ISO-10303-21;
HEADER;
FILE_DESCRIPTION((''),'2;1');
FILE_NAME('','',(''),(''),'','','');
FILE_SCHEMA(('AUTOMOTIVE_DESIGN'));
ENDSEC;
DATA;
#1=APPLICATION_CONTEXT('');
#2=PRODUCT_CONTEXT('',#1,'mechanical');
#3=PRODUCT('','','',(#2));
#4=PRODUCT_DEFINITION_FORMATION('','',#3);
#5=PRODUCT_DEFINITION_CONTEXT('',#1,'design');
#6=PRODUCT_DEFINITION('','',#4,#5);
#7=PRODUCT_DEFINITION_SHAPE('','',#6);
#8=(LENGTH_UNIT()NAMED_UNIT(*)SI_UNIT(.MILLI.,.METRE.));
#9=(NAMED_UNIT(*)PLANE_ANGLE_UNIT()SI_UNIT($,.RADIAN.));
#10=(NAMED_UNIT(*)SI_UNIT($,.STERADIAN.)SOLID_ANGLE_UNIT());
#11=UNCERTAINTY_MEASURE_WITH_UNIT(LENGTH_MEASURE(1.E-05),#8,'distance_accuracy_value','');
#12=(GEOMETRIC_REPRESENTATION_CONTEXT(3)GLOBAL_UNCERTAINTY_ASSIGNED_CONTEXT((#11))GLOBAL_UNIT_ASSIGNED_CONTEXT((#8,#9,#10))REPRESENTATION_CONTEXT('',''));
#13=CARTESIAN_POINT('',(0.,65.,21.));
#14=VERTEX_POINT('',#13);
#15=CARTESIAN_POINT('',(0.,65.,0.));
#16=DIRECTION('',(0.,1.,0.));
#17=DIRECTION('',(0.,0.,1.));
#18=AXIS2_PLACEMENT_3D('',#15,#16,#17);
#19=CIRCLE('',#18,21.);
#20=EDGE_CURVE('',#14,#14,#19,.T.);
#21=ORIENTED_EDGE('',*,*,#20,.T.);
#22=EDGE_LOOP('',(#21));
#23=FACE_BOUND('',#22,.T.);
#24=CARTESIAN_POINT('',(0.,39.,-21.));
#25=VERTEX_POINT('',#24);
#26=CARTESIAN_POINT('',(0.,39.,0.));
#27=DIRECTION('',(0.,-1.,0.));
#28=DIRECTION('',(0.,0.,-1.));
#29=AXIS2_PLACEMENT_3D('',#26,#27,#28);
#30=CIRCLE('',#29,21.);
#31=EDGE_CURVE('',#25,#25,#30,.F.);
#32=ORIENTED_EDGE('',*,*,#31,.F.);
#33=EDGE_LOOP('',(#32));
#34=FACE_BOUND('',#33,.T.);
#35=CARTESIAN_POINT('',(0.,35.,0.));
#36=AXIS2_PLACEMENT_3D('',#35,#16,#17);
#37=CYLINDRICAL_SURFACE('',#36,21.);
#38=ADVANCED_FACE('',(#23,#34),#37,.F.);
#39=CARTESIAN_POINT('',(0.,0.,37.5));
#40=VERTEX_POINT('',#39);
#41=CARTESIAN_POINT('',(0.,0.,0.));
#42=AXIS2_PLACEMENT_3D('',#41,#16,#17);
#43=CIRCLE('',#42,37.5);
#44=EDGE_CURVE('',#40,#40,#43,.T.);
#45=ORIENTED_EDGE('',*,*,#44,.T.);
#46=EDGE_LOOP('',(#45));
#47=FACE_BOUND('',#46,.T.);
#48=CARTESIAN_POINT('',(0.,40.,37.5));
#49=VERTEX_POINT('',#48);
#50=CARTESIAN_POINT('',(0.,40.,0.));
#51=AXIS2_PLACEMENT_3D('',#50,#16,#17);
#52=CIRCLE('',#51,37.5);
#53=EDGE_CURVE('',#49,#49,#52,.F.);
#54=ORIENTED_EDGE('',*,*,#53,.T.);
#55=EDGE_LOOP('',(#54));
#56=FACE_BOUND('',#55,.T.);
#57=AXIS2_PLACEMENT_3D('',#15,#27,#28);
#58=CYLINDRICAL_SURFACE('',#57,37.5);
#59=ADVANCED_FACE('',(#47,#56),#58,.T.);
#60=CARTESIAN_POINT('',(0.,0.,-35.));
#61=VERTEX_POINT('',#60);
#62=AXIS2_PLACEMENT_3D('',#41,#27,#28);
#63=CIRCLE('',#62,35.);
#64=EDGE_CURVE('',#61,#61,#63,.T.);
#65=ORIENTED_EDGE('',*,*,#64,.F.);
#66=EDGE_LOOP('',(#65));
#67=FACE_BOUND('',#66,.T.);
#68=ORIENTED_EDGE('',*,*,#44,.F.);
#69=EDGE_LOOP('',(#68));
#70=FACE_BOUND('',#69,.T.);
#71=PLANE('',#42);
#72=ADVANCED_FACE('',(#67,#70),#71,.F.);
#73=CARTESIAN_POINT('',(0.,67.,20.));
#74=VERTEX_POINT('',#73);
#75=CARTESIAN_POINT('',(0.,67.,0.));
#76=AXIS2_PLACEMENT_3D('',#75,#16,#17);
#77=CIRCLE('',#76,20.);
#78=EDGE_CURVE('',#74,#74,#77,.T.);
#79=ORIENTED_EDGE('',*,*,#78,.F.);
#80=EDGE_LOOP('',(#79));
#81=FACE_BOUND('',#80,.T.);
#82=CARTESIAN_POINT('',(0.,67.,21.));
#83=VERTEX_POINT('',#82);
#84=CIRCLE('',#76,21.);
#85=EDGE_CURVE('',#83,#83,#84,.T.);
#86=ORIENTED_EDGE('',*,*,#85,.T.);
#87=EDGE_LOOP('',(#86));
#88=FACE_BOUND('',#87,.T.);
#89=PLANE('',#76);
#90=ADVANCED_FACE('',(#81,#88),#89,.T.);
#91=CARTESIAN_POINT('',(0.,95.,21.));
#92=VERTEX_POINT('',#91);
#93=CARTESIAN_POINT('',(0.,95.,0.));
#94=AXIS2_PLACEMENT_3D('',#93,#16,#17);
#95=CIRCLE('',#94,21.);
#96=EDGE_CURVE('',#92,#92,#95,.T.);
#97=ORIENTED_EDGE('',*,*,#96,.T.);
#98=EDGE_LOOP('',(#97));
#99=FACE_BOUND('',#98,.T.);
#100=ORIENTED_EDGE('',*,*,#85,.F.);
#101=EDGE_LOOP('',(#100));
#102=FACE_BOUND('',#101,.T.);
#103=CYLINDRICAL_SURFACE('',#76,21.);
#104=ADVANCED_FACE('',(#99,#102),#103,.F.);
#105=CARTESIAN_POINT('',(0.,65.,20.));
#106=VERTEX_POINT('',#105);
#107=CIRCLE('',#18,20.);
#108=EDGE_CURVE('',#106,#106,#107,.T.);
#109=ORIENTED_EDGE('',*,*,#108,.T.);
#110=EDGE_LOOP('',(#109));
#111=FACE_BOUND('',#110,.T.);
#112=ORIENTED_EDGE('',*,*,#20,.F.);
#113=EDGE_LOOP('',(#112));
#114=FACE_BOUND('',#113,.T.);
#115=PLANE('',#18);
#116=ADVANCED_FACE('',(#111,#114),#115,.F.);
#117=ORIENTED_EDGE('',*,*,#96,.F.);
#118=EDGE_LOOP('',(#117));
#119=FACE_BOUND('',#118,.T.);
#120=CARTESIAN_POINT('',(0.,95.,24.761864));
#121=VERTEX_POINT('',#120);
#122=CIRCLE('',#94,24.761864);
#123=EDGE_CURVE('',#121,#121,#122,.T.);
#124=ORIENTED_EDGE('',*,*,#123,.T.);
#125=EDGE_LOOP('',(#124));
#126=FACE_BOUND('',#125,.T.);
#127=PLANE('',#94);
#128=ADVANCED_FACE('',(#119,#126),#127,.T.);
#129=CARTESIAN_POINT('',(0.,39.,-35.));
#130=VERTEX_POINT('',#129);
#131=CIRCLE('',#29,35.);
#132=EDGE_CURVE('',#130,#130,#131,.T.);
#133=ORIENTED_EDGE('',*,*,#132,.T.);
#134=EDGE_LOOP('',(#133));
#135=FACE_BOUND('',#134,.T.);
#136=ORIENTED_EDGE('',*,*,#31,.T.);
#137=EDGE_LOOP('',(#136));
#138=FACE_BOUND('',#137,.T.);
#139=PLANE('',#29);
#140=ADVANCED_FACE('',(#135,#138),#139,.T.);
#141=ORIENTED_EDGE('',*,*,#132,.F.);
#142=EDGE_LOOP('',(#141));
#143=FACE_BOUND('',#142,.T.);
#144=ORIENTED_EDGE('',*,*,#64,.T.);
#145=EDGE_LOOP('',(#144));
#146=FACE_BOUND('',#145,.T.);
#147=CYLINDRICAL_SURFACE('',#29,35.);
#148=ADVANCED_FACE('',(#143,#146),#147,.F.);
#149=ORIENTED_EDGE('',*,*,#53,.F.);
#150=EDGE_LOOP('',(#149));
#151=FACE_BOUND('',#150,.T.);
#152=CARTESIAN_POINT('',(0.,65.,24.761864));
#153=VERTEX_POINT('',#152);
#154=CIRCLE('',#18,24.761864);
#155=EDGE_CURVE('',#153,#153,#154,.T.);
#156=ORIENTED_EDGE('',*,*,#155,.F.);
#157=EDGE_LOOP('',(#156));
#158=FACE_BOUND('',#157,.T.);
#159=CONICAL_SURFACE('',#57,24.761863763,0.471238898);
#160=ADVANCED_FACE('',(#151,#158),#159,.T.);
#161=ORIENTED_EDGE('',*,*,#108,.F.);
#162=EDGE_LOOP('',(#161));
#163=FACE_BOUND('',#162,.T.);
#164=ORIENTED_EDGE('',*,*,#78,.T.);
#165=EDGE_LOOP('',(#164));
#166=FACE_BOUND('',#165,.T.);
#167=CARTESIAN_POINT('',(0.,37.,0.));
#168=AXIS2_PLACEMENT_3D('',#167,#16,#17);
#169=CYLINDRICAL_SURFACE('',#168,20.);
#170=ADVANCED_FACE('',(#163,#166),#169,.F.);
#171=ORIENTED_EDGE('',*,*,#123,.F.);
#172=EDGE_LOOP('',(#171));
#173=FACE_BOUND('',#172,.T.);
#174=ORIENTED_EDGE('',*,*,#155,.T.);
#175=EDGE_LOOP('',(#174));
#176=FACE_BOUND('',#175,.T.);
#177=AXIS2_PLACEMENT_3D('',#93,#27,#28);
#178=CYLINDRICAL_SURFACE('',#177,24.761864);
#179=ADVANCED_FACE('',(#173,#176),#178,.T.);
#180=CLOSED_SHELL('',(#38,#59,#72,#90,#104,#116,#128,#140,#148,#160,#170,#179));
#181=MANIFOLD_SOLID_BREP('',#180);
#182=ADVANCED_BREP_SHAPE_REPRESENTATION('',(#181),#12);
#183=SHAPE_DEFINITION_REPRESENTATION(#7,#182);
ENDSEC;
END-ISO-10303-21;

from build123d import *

# Parameters (mm, degrees)
SKETCH1_R           = 37.5
BOSS_EXTRUDE1_DEPTH = 65
CHAMFER1_SIZE       = 25
CHAMFER1_SIZE2      = 12.738136237
SKETCH3_R           = 21
CUT_EXTRUDE1_DEPTH  = 30
SKETCH4_R           = 35
CUT_EXTRUDE2_DEPTH  = 39
SKETCH5_R           = 24.761863763
BOSS_EXTRUDE3_DEPTH = 30
SKETCH6_R           = 21
CUT_EXTRUDE3_DEPTH  = 28
SKETCH7_R           = 20
CUT_EXTRUDE4_DEPTH  = 30


with BuildPart() as part:
    # Sketch1 → Boss-Extrude1 (new body)
    with BuildSketch(Plane(origin=(0, 0, 0), x_dir=(1, 0, 0), z_dir=(0, 1, 0))):
        with Locations(Location((0, 0, 0), (0, 0, 270))):
            Circle(SKETCH1_R)
    extrude(amount=BOSS_EXTRUDE1_DEPTH)

    # Chamfer1
    chamfer1_edges = [part.edges().sort_by_distance(p)[0] for p in [
        (0, 65, -37.5),
    ]]
    chamfer1_side = [part.faces().sort_by_distance(p)[0] for p in [
        (0, 32.5, -37.5),
    ]]
    chamfer(chamfer1_edges, length=CHAMFER1_SIZE, length2=CHAMFER1_SIZE2, reference=chamfer1_side[0])

    # Sketch3 → Cut-Extrude1 (cut)
    with BuildSketch(Plane(origin=(0, 65, 0), x_dir=(1, 0, 0), z_dir=(0, 1, 0))):
        with Locations(Location((0, 0, 0), (0, 0, 270))):
            Circle(SKETCH3_R)
    extrude(amount=-CUT_EXTRUDE1_DEPTH, mode=Mode.SUBTRACT)

    # Sketch4 → Cut-Extrude2 (cut)
    with BuildSketch(Plane.XZ):
        with Locations(Location((0, 0, 0), (0, 0, 270))):
            Circle(SKETCH4_R)
    extrude(amount=-CUT_EXTRUDE2_DEPTH, mode=Mode.SUBTRACT)

    # Sketch5 → Boss-Extrude3 (add)
    with BuildSketch(Plane(origin=(0, 65, 0), x_dir=(1, 0, 0), z_dir=(0, 1, 0))):
        with Locations(Location((0, 0, 0), (0, 0, 270))):
            Circle(SKETCH5_R)
    extrude(amount=BOSS_EXTRUDE3_DEPTH)

    # Sketch6 → Cut-Extrude3 (cut)
    with BuildSketch(Plane(origin=(0, 95, 0), x_dir=(1, 0, 0), z_dir=(0, 1, 0))):
        with Locations(Location((0, 0, 0), (0, 0, 270))):
            Circle(SKETCH6_R)
    extrude(amount=-CUT_EXTRUDE3_DEPTH, mode=Mode.SUBTRACT)

    # Sketch7 → Cut-Extrude4 (cut)
    with BuildSketch(Plane(origin=(0, 67, 0), x_dir=(1, 0, 0), z_dir=(0, 1, 0))):
        with Locations(Location((0, 0, 0), (0, 0, 270))):
            Circle(SKETCH7_R)
    extrude(amount=-CUT_EXTRUDE4_DEPTH, mode=Mode.SUBTRACT)


solid = part.part
